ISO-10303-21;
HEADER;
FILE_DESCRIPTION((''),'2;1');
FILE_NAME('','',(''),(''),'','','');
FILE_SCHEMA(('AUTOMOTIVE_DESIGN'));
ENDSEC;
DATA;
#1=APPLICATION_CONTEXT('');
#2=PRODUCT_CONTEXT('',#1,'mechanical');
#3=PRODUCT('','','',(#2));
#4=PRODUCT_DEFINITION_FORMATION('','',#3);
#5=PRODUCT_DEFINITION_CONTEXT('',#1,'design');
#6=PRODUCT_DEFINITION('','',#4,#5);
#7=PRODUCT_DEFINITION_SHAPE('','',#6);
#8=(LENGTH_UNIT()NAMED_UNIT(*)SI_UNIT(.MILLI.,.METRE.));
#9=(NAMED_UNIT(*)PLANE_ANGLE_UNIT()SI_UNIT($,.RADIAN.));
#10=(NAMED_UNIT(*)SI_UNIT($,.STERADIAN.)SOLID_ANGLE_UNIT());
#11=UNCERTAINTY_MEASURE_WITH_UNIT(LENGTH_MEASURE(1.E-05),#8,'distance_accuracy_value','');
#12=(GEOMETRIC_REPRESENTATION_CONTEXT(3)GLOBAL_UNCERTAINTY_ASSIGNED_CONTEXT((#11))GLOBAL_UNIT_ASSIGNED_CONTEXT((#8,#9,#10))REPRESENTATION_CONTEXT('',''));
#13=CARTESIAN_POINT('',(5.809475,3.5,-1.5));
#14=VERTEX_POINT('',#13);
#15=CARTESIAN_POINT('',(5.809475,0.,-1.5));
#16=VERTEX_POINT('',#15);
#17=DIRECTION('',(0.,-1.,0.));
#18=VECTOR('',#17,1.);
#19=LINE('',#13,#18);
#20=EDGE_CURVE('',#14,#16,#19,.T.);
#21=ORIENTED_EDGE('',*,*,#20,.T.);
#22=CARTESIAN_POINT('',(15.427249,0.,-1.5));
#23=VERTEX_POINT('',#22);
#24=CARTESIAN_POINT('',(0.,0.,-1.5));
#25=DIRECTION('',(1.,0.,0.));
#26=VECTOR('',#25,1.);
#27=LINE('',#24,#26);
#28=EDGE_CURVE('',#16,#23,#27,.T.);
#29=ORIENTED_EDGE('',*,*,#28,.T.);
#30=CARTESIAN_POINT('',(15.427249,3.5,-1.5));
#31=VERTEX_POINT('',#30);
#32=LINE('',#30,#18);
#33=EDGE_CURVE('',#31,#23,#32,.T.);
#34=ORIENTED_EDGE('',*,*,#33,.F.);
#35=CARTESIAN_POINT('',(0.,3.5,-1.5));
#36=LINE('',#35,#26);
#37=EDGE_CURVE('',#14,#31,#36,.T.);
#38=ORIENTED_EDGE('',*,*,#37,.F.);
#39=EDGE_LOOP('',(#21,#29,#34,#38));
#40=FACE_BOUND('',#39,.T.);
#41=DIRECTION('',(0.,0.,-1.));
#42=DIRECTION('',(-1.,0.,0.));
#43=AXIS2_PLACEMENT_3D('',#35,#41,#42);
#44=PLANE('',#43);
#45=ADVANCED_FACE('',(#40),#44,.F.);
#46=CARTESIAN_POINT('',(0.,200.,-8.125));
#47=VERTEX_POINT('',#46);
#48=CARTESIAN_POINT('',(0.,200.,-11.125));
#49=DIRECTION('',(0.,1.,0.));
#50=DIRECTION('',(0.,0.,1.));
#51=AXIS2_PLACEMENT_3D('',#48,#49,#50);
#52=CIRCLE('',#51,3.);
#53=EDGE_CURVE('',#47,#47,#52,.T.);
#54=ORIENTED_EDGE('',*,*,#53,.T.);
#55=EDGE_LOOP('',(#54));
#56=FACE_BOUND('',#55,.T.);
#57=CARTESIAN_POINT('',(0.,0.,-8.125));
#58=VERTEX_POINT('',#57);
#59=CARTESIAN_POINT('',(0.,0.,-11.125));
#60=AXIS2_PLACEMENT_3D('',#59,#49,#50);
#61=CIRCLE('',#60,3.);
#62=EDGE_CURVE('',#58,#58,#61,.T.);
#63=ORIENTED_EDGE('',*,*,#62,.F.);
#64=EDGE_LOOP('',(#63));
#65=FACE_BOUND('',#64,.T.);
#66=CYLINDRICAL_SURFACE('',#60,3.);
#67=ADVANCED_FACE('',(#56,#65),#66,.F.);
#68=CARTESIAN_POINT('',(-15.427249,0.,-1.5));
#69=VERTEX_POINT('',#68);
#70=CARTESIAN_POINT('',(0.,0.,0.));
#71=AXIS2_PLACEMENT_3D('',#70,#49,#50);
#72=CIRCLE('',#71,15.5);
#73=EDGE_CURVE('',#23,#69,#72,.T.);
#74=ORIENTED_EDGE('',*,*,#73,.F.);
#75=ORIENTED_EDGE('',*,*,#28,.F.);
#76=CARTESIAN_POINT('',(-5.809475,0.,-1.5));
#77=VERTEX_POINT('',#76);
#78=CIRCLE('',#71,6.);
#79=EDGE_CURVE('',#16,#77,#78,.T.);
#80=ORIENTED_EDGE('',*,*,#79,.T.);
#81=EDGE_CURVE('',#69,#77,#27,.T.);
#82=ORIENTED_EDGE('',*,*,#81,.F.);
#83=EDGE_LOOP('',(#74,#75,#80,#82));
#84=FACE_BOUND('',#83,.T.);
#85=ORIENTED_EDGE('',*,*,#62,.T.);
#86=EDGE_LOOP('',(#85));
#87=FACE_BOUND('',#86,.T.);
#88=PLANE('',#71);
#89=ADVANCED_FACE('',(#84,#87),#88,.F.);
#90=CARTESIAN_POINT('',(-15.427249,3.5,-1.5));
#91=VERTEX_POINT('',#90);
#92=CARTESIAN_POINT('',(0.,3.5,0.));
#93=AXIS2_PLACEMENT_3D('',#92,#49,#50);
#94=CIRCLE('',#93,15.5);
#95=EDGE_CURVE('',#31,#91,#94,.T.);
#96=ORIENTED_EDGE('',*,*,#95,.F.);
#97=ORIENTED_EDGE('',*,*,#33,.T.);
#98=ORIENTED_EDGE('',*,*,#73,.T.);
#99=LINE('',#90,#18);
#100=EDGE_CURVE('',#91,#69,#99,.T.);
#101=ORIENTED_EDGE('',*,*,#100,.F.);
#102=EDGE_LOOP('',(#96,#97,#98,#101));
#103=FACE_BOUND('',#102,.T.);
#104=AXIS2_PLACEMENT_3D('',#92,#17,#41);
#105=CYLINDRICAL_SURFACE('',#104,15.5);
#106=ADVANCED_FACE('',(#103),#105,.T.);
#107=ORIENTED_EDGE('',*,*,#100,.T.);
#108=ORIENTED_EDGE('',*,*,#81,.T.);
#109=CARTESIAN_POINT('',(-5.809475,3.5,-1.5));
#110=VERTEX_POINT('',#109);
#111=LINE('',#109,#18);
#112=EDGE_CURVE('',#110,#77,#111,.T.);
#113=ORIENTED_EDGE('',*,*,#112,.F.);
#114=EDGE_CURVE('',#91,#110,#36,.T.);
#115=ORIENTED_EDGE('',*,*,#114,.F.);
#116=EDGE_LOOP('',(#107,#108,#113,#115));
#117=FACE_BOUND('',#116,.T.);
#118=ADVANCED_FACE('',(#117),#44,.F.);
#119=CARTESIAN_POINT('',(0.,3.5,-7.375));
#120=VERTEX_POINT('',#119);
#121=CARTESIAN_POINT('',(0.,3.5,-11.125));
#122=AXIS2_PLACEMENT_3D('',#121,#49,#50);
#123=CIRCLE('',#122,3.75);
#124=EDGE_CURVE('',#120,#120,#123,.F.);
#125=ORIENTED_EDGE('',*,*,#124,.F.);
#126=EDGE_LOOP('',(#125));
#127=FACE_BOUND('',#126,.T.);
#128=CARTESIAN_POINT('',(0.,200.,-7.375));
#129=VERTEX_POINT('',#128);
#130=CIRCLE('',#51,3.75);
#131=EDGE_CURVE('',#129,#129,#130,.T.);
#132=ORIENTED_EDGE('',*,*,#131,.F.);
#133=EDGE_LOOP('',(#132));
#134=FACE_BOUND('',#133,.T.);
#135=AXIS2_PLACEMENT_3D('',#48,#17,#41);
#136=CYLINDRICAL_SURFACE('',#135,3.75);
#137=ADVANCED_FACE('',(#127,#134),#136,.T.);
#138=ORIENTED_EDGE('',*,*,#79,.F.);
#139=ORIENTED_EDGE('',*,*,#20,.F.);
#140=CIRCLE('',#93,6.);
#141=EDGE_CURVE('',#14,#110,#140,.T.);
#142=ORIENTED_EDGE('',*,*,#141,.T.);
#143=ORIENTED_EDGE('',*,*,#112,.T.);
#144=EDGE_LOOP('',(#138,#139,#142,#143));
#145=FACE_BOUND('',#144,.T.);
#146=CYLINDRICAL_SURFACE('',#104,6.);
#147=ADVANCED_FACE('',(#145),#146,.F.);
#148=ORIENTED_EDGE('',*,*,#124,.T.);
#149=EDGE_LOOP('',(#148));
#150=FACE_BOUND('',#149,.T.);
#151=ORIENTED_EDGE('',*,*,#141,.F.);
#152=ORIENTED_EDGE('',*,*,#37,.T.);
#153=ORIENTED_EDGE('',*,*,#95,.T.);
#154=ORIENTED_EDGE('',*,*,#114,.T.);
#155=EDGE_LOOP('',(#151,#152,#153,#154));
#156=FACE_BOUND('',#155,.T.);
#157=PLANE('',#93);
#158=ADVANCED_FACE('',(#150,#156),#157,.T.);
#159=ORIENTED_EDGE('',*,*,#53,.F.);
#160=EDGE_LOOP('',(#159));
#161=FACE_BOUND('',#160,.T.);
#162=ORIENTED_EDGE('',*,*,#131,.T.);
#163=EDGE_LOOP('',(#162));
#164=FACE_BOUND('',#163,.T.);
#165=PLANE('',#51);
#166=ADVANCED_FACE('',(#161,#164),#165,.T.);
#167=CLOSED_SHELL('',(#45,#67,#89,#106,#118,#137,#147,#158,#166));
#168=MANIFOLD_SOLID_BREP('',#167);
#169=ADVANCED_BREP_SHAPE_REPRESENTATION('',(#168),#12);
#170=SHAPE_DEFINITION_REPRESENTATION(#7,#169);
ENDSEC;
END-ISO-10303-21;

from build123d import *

# Parameters (mm, degrees)
BOSS_EXTRUDE1_DEPTH = 3.5
SKETCH2_5_R         = 3.75
BOSS_EXTRUDE2_DEPTH = 200
SKETCH3_R           = 3
CUT_EXTRUDE1_DEPTH  = 202.192072408


with BuildPart() as part:
    # Sketch2 → Boss-Extrude1 (new body)
    with BuildSketch(Plane(origin=(0, 0, 0), x_dir=(1, 0, 0), z_dir=(0, 1, 0))):
        with BuildLine():
            ThreePointArc((15.427248621, 1.5), (0, 15.5), (-15.427248621, 1.5))
            Line((-15.427248621, 1.5), (-5.809475019, 1.5))
            ThreePointArc((-5.809475019, 1.5), (0, 6), (5.809475019, 1.5))
            Line((5.809475019, 1.5), (15.427248621, 1.5))
        make_face()
    extrude(amount=BOSS_EXTRUDE1_DEPTH)

    # Sketch2<5> → Boss-Extrude2 (add)
    with BuildSketch(Plane(origin=(0, 0, 0), x_dir=(1, 0, 0), z_dir=(0, 1, 0))):
        with Locations((0, 11.125)):
            Circle(SKETCH2_5_R)
    extrude(amount=BOSS_EXTRUDE2_DEPTH)

    # Sketch3 → Cut-Extrude1 (cut, through all)
    with BuildSketch(Plane(origin=(0, 200, 0), x_dir=(1, 0, 0), z_dir=(0, 1, 0))):
        with Locations((0, 11.125)):
            Circle(SKETCH3_R)
    extrude(amount=-CUT_EXTRUDE1_DEPTH, mode=Mode.SUBTRACT)


solid = part.part
